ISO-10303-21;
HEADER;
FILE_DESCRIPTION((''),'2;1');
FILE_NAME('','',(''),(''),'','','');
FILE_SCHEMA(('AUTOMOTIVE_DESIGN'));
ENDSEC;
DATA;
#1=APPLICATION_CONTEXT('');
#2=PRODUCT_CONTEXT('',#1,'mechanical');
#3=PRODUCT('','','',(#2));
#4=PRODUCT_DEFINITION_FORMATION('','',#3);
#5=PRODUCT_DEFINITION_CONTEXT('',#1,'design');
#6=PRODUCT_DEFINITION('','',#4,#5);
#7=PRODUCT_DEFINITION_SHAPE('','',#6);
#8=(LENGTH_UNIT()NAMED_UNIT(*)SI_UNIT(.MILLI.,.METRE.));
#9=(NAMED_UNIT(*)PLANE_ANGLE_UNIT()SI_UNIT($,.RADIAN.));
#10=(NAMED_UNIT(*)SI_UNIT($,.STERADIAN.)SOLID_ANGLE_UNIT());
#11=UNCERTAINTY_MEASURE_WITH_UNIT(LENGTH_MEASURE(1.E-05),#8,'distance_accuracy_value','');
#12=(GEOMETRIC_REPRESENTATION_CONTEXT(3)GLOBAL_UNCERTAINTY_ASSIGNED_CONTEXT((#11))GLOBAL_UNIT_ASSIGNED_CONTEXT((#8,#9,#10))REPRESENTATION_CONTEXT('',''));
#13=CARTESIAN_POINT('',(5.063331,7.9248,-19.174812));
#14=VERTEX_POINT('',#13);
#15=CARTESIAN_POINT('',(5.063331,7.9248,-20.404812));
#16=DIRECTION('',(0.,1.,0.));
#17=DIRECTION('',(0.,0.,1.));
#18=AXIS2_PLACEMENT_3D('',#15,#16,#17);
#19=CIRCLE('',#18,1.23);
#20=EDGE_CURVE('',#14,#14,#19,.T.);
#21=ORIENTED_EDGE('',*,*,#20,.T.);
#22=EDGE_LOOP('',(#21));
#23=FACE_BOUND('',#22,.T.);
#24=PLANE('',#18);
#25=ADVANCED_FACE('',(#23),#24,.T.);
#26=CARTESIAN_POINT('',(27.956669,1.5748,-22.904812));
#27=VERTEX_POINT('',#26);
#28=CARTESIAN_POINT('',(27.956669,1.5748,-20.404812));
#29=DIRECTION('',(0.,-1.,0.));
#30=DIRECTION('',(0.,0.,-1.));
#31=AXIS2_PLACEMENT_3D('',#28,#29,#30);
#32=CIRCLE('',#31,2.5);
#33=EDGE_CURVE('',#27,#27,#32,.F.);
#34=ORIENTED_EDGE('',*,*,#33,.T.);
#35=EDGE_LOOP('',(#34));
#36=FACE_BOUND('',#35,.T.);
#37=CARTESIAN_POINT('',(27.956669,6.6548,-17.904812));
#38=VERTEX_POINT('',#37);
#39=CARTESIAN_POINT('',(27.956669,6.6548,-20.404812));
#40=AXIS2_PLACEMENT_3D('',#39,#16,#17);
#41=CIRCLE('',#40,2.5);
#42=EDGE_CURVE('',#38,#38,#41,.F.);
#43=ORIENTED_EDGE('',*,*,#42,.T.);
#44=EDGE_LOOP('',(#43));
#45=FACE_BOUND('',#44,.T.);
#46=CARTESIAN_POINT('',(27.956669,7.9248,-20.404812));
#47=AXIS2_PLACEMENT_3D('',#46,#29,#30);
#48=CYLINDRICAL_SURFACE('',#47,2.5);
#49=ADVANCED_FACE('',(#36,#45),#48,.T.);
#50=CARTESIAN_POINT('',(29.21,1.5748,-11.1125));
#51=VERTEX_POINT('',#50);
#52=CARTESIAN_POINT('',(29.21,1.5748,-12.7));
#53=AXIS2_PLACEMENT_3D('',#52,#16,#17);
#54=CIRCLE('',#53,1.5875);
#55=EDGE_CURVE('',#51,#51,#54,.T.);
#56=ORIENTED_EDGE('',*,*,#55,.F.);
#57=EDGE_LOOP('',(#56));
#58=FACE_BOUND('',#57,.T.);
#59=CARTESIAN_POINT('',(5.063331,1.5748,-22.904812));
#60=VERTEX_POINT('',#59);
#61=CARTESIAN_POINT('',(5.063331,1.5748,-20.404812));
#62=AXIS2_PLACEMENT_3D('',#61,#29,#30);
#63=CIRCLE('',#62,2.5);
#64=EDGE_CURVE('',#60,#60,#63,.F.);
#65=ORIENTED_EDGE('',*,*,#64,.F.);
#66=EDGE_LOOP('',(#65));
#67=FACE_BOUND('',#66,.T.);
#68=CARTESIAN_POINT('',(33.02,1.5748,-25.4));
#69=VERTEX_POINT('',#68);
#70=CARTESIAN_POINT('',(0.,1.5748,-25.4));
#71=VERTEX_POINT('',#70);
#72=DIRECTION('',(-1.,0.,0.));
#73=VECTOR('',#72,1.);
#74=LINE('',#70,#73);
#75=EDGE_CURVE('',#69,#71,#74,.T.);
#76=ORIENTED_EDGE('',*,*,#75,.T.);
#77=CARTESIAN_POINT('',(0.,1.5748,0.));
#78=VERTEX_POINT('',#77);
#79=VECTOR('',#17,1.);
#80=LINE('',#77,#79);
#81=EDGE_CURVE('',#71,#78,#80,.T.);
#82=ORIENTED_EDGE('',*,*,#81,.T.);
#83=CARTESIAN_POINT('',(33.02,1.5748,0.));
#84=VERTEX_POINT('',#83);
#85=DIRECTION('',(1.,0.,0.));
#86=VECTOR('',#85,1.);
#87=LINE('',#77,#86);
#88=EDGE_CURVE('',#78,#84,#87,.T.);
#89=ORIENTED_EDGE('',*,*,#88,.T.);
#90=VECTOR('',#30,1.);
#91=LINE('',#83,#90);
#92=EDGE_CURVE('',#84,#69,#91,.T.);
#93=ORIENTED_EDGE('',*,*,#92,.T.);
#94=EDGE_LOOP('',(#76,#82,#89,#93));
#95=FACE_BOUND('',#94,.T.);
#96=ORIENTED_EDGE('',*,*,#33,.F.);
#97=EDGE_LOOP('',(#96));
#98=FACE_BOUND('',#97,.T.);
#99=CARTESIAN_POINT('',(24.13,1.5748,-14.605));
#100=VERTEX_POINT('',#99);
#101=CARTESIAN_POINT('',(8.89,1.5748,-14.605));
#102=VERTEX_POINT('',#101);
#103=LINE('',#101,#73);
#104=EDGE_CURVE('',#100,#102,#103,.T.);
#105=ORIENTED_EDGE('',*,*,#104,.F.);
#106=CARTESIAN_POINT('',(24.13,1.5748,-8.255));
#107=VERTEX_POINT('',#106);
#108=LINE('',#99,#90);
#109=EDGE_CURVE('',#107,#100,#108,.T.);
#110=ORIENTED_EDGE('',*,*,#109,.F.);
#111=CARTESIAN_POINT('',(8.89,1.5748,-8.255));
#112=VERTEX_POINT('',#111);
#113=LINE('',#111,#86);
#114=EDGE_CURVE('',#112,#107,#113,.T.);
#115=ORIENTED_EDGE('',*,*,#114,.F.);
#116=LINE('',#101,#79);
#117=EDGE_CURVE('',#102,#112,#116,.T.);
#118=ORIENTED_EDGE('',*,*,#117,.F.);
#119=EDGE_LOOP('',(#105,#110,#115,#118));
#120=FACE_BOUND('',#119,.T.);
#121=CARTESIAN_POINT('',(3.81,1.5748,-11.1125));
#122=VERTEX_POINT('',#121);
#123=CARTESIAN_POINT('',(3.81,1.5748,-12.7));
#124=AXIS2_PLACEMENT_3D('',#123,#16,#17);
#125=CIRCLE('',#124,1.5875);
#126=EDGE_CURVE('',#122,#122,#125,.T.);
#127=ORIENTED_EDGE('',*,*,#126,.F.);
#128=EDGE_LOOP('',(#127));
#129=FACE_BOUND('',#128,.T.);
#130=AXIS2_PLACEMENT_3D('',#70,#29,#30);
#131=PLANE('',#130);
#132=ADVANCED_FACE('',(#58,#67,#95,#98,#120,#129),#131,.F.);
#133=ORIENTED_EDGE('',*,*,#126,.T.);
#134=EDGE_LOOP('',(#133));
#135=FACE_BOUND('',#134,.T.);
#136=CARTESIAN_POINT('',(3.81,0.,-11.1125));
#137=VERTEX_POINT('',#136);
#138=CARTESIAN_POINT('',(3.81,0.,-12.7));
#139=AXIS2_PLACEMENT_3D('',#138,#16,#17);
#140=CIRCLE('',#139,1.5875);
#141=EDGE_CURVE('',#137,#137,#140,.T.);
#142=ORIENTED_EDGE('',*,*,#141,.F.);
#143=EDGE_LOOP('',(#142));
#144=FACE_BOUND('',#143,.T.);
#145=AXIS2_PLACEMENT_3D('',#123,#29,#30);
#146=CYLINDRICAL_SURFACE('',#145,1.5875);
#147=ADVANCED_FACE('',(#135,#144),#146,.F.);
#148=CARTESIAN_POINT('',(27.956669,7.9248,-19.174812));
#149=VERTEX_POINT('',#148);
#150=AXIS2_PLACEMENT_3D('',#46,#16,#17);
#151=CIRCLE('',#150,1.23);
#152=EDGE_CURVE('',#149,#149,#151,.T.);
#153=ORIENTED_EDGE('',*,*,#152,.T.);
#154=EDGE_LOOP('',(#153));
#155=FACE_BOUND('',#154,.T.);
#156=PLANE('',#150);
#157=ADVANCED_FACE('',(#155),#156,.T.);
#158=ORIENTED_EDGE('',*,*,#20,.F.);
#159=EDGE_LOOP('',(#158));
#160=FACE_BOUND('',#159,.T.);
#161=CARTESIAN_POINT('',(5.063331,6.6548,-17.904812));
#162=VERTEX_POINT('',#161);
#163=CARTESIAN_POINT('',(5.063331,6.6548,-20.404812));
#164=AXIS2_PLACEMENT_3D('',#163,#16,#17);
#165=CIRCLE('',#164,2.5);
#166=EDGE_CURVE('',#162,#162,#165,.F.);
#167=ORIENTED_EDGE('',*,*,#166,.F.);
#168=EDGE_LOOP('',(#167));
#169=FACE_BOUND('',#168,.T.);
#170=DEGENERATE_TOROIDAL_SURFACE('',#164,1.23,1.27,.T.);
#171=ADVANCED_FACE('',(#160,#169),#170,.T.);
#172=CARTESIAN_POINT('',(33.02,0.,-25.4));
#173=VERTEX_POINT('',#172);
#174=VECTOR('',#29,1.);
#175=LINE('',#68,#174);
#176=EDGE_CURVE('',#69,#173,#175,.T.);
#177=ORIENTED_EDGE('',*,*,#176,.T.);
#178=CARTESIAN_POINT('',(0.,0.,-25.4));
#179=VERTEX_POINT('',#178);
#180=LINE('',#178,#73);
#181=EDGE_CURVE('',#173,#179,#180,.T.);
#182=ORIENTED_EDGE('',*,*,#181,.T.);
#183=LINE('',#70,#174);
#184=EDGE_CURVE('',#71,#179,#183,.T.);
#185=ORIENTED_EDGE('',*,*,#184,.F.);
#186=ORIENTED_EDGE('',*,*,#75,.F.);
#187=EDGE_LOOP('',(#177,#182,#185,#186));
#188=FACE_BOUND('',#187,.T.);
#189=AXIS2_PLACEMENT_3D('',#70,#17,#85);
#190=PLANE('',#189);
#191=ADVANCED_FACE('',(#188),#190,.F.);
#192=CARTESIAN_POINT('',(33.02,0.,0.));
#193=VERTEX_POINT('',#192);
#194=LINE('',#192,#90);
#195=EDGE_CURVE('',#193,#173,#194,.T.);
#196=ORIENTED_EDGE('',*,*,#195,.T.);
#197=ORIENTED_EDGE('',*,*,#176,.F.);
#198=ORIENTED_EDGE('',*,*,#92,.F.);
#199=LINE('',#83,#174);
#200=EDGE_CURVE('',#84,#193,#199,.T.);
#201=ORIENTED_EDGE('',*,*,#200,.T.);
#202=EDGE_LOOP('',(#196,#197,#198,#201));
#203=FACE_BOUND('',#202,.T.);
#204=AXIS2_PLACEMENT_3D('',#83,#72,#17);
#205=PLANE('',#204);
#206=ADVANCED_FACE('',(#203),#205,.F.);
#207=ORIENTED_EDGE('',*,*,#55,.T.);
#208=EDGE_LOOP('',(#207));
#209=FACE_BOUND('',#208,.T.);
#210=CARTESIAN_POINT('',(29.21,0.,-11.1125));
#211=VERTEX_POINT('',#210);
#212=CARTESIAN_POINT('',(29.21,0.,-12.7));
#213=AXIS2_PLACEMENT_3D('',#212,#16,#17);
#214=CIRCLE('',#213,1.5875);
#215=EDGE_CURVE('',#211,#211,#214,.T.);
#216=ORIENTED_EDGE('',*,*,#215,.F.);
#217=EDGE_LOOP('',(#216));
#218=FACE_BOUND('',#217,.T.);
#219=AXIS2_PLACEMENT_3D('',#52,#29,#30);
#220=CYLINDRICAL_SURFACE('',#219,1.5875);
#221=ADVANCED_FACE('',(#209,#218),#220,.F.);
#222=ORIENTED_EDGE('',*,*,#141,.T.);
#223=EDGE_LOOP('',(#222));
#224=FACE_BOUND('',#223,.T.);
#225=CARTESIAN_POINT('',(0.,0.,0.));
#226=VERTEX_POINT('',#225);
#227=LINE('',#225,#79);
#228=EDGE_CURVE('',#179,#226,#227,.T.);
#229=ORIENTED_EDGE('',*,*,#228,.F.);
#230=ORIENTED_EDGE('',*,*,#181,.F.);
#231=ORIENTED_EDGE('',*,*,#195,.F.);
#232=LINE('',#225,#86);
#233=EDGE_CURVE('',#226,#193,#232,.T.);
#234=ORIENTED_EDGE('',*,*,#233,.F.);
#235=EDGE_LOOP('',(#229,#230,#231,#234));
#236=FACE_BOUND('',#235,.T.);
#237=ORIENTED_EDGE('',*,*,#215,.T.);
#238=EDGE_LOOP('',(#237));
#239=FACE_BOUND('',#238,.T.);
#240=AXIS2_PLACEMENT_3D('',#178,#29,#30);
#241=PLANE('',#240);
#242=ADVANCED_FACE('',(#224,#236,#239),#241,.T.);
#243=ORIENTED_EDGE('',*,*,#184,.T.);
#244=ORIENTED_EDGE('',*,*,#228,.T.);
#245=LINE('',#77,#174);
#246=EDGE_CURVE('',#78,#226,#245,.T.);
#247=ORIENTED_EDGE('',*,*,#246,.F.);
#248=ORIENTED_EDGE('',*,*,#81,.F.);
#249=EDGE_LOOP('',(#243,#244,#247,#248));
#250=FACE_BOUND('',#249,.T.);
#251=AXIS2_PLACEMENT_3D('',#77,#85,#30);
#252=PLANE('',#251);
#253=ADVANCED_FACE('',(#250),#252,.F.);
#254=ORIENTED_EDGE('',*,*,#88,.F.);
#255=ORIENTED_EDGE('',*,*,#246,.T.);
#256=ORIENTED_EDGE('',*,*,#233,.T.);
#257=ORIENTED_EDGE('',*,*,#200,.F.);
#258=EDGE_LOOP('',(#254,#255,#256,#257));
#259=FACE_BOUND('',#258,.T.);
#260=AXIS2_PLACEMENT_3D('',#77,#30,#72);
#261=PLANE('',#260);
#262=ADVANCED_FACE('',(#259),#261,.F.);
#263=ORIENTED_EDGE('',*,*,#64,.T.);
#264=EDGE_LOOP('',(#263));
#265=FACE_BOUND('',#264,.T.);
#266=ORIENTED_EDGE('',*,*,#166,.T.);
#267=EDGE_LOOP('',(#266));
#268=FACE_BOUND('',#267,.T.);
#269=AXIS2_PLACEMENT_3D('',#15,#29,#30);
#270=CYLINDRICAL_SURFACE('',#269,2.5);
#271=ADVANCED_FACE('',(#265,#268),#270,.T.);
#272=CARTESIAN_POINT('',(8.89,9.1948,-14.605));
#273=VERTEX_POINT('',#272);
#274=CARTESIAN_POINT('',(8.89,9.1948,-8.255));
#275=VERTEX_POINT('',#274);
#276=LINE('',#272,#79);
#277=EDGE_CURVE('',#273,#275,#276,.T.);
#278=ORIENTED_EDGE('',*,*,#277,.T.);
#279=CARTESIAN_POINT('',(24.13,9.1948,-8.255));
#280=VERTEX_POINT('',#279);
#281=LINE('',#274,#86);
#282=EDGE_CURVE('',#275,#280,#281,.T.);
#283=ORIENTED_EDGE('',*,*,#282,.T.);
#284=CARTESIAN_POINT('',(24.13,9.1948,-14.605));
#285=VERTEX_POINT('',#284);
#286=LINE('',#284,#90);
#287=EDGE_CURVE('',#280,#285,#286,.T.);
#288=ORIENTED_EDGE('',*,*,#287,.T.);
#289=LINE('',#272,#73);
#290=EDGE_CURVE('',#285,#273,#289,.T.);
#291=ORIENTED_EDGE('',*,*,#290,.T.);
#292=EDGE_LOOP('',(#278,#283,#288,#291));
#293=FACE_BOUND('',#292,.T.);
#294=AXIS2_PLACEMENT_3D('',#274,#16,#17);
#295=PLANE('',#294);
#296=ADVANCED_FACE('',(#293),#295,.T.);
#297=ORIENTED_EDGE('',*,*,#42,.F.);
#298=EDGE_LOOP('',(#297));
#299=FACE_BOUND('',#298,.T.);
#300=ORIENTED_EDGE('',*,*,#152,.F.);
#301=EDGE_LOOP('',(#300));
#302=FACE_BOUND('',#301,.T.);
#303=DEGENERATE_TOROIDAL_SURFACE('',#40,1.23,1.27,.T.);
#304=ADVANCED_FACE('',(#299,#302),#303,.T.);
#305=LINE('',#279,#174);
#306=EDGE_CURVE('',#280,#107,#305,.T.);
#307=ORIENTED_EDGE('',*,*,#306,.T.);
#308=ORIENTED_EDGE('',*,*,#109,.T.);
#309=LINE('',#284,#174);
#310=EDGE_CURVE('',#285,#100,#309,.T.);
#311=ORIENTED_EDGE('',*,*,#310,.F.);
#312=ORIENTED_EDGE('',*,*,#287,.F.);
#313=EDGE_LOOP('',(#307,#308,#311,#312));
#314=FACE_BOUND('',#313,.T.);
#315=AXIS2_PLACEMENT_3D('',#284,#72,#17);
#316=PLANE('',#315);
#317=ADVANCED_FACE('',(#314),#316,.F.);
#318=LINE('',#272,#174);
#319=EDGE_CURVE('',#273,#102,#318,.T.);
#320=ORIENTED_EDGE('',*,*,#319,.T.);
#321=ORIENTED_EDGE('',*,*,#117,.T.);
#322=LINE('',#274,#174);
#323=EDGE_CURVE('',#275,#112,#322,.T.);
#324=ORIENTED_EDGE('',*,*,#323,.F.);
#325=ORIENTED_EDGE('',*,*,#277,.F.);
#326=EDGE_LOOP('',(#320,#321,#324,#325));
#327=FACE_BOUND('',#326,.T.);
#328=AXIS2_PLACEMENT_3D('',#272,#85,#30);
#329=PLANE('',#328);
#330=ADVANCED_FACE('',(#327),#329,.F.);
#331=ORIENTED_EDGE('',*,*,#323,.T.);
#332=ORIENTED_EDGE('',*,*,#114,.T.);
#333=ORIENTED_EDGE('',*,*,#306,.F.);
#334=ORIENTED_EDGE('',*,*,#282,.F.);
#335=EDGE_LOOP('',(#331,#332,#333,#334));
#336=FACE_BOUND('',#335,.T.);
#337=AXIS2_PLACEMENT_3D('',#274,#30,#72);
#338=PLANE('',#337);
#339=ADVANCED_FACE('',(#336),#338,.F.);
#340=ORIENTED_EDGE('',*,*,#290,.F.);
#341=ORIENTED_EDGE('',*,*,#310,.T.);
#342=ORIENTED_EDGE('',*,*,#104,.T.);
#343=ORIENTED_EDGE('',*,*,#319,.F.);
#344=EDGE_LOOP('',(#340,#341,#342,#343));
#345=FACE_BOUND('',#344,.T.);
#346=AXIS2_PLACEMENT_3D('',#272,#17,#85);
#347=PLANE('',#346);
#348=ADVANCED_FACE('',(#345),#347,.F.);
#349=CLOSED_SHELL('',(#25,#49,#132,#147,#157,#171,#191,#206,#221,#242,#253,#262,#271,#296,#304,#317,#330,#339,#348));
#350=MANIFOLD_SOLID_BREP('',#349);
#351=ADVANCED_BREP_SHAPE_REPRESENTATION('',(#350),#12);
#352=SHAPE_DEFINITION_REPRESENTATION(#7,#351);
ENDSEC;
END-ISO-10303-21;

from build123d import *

# Parameters (mm, degrees)
SKETCH1_W           = 33.02
SKETCH1_H           = 25.4
SKETCH1_R           = 1.5875
BOSS_EXTRUDE1_DEPTH = 1.5748
SKETCH2_W           = 15.24
SKETCH2_H           = 6.35
BOSS_EXTRUDE2_DEPTH = 7.62
SKETCH3_R           = 2.5
BOSS_EXTRUDE3_DEPTH = 6.35
FILLET1_R           = 1.27


with BuildPart() as part:
    # Sketch1 → Boss-Extrude1 (new body)
    with BuildSketch(Plane(origin=(0, 0, 0), x_dir=(1, 0, 0), z_dir=(0, 1, 0))):
        with Locations((16.51, 12.7)):
            Rectangle(SKETCH1_W, SKETCH1_H)
        with Locations(Location((3.81, 12.7, 0), (0, 0, 270))):
            Circle(SKETCH1_R, mode=Mode.SUBTRACT)
        with Locations(Location((29.21, 12.7, 0), (0, 0, 270))):
            Circle(SKETCH1_R, mode=Mode.SUBTRACT)
    extrude(amount=BOSS_EXTRUDE1_DEPTH)

    # Sketch2 → Boss-Extrude2 (add)
    with BuildSketch(Plane(origin=(0, 1.5748, 0), x_dir=(1, 0, 0), z_dir=(0, 1, 0))):
        with Locations((16.51, 11.43)):
            Rectangle(SKETCH2_W, SKETCH2_H)
    extrude(amount=BOSS_EXTRUDE2_DEPTH)

    # Sketch3 → Boss-Extrude3 (add)
    with BuildSketch(Plane(origin=(0, 1.5748, 0), x_dir=(1, 0, 0), z_dir=(0, 1, 0))):
        with Locations(Location((5.063331186, 20.404812086, 0), (0, 0, 90))):
            Circle(SKETCH3_R)
        with Locations(Location((27.956668814, 20.404812086, 0), (0, 0, 90))):
            Circle(SKETCH3_R)
    extrude(amount=BOSS_EXTRUDE3_DEPTH)

    # Fillet1
    fillet1_edges = [part.edges().sort_by_distance(p)[0] for p in [
        (5.063331186, 7.9248, -17.904812086),
        (27.956668814, 7.9248, -17.904812086),
    ]]
    fillet(fillet1_edges, radius=FILLET1_R)


solid = part.part
